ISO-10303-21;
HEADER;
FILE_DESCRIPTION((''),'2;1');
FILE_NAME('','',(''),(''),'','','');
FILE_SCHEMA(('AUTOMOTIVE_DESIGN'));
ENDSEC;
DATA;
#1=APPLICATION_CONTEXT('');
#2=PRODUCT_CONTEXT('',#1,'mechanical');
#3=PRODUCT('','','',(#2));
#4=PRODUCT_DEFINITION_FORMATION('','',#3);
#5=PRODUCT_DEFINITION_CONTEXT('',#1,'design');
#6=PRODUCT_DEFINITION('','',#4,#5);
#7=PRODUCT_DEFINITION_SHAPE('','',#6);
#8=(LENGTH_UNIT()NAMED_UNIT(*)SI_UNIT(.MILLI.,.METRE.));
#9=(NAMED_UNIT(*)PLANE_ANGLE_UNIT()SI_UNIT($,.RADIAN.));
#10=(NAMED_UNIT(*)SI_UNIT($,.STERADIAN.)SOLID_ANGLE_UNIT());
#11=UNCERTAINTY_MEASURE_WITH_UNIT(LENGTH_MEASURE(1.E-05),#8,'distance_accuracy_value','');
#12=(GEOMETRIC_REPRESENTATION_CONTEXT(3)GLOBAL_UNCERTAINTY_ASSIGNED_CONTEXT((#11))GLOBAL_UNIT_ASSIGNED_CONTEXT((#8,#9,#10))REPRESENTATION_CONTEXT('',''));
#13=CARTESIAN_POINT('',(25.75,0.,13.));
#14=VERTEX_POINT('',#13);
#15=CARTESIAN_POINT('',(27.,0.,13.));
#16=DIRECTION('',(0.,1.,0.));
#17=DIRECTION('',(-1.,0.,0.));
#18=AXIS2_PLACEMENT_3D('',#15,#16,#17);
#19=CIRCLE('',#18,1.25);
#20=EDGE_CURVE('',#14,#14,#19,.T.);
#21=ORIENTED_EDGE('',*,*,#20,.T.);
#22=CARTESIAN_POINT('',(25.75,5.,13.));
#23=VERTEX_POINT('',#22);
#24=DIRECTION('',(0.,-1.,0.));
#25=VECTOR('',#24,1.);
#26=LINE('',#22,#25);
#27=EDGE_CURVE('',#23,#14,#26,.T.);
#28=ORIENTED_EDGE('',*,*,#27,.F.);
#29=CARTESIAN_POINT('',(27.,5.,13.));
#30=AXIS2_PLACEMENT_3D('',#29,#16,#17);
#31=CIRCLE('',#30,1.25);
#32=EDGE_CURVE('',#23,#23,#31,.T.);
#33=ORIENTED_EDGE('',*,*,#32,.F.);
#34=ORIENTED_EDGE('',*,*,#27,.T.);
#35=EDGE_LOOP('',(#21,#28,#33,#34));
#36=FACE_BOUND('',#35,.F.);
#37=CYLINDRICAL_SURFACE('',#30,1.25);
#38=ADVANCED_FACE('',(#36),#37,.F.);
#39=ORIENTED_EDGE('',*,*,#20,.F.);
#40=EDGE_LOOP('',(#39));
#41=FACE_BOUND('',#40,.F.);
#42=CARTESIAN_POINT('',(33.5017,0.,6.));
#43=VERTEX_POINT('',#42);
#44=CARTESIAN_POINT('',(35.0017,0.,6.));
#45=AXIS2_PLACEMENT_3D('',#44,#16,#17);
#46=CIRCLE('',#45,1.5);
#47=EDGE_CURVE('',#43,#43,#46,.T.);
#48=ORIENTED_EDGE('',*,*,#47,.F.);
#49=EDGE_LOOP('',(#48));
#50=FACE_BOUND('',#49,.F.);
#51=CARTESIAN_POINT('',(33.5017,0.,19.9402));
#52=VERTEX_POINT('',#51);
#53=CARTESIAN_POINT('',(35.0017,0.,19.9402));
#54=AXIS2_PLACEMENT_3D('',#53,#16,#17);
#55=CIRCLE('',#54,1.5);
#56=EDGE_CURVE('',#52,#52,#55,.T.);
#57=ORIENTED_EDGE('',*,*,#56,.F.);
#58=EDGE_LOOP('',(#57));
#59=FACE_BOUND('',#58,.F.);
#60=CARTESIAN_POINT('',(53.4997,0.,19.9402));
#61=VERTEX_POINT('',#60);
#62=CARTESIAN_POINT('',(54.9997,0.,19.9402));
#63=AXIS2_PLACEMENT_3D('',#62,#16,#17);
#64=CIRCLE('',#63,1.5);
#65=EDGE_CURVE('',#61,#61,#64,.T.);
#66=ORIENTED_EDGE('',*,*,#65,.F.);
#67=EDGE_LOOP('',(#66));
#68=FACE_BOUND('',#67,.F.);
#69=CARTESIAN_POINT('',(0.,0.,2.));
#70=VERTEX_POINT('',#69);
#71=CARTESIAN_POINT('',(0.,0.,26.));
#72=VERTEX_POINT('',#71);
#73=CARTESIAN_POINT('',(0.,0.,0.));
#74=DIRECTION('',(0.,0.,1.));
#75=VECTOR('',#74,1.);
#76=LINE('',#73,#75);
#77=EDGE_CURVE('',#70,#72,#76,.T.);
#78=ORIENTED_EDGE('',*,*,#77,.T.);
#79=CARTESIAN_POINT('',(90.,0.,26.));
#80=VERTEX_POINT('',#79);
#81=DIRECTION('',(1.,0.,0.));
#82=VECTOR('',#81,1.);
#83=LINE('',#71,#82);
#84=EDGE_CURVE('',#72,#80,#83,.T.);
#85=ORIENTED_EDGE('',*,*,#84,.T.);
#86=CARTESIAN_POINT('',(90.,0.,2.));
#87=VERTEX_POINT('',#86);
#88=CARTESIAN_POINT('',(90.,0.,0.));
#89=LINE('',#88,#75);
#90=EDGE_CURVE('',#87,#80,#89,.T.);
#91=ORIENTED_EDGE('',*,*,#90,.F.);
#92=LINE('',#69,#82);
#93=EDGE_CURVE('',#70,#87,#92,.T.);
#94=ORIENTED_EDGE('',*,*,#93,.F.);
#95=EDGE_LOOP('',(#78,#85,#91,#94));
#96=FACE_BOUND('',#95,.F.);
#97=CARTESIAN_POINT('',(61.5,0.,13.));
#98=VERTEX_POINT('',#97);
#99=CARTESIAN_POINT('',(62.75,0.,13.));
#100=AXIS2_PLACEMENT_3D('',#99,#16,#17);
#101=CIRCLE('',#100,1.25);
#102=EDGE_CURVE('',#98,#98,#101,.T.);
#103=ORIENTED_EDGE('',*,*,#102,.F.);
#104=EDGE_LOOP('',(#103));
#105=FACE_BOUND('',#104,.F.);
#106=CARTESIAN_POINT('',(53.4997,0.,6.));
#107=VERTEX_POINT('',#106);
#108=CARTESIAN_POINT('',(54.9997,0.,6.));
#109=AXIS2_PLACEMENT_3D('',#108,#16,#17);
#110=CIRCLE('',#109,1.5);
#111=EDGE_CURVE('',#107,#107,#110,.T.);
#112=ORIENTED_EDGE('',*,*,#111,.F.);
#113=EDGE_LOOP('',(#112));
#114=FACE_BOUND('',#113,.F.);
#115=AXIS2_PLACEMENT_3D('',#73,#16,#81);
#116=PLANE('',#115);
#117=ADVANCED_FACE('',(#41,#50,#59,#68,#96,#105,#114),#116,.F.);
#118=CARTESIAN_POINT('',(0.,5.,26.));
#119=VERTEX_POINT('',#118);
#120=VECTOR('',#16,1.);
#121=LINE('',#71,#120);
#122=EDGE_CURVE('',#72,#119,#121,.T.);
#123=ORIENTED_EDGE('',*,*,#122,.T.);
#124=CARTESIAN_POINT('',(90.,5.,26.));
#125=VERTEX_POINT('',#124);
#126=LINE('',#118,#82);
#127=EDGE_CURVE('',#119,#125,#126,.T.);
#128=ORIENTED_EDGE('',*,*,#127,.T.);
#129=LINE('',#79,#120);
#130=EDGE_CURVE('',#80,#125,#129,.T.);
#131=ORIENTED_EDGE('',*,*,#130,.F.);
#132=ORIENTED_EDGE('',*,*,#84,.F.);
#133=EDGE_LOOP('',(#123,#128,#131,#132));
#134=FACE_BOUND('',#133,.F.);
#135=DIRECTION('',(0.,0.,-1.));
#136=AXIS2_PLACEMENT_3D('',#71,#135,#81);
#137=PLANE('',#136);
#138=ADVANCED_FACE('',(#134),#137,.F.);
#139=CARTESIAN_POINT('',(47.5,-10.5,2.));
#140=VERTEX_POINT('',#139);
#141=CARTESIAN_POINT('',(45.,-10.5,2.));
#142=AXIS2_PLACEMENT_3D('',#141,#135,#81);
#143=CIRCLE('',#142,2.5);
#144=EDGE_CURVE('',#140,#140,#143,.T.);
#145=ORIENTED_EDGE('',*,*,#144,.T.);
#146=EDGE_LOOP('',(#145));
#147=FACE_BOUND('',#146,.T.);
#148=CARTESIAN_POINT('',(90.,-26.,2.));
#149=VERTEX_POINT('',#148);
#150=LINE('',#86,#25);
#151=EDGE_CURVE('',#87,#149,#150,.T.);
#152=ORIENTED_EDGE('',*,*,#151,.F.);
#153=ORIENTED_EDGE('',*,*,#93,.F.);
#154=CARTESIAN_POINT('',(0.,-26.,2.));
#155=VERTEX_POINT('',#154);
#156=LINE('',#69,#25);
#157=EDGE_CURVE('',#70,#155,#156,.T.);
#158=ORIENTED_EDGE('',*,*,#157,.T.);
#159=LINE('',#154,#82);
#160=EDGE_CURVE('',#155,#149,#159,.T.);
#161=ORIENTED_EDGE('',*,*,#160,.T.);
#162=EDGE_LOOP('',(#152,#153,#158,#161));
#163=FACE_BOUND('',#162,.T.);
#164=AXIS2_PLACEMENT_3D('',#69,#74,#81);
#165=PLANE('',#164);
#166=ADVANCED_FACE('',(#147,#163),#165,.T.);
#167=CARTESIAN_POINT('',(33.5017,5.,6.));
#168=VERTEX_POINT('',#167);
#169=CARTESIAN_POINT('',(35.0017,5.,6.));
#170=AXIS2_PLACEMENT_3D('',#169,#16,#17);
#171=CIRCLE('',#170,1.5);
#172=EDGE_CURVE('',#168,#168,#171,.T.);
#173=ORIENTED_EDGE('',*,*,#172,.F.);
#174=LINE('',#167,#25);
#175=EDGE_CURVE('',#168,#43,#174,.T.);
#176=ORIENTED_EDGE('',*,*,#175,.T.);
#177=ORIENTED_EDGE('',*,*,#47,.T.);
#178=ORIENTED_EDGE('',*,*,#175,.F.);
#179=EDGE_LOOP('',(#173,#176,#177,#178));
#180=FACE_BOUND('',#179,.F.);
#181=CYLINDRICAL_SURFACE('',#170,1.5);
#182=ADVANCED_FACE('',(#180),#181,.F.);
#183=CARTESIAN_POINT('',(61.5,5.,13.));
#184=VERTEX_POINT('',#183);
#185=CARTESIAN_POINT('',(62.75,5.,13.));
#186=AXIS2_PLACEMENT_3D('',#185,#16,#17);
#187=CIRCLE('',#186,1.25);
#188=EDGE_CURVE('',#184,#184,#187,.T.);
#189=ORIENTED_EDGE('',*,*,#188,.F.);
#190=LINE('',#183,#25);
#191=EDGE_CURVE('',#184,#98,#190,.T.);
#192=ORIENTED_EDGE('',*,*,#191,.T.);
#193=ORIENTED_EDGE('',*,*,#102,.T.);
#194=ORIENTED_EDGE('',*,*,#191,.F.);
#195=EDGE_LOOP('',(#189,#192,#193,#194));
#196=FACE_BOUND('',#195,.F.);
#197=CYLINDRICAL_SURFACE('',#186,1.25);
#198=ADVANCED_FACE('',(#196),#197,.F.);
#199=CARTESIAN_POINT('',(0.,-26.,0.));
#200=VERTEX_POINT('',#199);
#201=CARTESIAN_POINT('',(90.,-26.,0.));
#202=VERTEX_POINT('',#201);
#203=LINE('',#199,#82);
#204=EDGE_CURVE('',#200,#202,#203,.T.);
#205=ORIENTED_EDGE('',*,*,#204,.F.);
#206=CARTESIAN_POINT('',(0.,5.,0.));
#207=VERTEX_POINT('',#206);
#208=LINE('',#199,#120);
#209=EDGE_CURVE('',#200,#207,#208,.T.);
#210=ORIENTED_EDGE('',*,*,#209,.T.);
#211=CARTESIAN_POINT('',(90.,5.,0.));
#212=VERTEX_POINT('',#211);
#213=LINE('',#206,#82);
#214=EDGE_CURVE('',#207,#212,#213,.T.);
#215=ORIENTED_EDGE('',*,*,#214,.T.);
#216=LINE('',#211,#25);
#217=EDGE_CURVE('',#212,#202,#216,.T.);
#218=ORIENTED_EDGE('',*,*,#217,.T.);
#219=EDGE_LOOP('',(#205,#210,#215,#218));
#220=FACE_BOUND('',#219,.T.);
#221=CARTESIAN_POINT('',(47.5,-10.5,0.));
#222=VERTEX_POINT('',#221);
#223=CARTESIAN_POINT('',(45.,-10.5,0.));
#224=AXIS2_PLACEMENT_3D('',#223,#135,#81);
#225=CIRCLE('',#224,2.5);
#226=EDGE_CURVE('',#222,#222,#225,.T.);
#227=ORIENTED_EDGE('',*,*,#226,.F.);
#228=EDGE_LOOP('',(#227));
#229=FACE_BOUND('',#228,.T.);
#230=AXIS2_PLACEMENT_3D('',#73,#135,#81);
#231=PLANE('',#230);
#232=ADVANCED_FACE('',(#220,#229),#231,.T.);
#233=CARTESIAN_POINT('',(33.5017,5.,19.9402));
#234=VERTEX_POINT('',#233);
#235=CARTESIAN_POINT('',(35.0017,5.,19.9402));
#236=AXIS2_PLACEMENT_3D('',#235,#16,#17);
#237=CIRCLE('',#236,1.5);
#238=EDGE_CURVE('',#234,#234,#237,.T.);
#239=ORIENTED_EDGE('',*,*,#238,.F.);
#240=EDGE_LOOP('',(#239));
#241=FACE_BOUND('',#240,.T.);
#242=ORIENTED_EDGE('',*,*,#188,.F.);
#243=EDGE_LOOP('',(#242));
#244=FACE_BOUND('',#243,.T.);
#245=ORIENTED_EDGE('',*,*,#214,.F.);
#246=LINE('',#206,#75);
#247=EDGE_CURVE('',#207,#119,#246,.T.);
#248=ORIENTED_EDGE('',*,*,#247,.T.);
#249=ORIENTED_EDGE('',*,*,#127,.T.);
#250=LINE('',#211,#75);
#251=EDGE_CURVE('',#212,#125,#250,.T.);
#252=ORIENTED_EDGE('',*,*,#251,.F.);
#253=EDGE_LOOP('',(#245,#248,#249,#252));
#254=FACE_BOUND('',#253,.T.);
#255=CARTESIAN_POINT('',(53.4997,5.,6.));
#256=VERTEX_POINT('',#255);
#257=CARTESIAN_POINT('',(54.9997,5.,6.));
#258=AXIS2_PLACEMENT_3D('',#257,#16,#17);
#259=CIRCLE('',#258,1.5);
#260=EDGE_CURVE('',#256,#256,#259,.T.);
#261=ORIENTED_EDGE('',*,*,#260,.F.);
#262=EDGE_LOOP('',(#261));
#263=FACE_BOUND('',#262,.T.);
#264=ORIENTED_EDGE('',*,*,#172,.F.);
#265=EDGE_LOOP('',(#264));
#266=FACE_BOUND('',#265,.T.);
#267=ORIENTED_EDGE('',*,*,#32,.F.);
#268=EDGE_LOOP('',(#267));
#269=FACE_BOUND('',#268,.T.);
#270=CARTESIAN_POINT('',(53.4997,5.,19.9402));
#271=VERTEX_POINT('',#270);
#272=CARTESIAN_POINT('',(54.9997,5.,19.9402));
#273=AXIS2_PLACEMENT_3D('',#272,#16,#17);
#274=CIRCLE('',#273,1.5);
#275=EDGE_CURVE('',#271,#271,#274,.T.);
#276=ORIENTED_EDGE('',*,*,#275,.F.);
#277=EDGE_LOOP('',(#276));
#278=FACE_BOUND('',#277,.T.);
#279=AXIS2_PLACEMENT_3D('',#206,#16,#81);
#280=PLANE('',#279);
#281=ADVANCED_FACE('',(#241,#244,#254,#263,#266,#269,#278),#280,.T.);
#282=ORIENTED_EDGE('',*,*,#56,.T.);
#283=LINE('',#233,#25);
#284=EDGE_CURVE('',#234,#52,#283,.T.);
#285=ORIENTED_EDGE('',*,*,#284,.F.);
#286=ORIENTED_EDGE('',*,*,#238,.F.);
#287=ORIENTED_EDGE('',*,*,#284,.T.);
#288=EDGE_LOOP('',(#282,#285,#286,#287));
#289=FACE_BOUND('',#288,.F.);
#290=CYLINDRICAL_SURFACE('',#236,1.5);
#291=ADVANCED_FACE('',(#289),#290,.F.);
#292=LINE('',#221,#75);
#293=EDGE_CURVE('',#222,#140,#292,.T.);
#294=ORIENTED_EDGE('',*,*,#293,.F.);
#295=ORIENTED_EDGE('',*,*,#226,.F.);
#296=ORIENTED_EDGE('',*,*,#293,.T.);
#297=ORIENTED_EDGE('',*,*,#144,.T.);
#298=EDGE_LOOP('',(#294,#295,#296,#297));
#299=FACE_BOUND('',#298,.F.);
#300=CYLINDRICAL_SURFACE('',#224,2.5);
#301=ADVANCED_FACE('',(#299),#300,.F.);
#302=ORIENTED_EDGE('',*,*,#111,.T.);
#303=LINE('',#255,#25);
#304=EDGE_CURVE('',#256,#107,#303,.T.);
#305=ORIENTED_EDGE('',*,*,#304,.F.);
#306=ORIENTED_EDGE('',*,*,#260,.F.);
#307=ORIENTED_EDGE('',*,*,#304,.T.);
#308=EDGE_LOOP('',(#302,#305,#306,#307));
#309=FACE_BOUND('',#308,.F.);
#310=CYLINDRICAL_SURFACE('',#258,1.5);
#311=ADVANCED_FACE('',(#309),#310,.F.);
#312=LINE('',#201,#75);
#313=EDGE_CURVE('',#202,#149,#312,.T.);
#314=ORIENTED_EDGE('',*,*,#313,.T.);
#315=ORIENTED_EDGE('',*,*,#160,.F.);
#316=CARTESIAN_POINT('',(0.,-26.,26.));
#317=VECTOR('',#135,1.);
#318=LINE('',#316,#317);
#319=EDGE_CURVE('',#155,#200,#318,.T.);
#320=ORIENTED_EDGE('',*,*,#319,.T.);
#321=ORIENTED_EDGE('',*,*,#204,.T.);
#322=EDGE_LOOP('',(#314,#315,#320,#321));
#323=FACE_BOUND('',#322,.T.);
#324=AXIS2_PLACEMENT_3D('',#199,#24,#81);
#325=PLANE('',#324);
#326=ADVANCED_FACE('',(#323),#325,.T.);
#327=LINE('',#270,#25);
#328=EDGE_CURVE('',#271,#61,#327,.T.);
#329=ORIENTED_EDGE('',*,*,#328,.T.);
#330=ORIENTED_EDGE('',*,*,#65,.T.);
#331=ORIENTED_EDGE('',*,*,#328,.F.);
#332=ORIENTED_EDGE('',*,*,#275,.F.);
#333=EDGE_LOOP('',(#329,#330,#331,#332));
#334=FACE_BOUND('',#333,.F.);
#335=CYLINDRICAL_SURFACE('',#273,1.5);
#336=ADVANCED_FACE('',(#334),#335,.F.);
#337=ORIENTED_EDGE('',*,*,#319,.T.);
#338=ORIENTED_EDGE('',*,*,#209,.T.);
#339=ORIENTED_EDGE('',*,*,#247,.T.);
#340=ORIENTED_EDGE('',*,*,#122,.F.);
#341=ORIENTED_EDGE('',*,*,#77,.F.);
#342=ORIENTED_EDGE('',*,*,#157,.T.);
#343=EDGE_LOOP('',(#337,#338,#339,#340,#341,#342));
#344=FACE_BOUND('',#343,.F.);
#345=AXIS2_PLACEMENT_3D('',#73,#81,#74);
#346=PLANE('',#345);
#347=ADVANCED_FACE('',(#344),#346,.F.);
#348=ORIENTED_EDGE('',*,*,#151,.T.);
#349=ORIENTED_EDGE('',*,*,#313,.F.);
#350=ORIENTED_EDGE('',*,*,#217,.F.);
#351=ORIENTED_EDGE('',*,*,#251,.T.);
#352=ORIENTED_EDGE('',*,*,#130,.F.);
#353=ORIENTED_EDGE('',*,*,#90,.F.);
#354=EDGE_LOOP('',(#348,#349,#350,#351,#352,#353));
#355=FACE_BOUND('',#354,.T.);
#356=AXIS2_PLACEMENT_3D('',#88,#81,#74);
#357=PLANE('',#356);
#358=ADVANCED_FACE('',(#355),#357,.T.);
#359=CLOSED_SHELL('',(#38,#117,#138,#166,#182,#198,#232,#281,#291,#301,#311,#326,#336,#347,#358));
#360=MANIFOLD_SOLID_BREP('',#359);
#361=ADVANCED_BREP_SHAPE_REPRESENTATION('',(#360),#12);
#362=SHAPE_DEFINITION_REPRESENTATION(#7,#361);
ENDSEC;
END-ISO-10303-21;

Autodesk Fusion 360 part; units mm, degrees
sketch "Sketch1" plane through (0, 0, 0) normal (0, 1, 0) x (1, 0, 0)
  line L0 (0, 0) -> (90, 0)
  line L1 (90, 0) -> (90, -26)
  line L2 (0, 0) -> (0, -26)
  line L3 (0, -26) -> (90, -26)
  dimension "d1" = 90
  dimension "d2" = 26
  dimension "d3" = 26
extrude "Extrude1" add sketch "Sketch1" along normal blind 5
sketch "Sketch2" plane through (0, 0, 0) normal (0, -1, 0) x (1, 0, 0)
  line L0 (0, 26) -> (0, 0)
  line L1 (0, 0) -> (90, 0)
  line L2 (90, 0) -> (90, 26)
  line L3 (90, 26) -> (0, 26)
  line L4 (0, 0) -> (90, 0)
  line L5 (90, 0) -> (90, 2)
  line L6 (0, 0) -> (0, 2)
  line L7 (0, 2) -> (90, 2)
  dimension "d6" = 2
  dimension "d7" = 2
extrude "Extrude2" add sketch "Sketch2" along normal blind 26 contours L0 L1 L2 L4 L5 L6 L7
sketch "Sketch3" plane through (0, 0, 0) normal (0, 0, -1) x (1, 0, 0)
  line L0 (0, 26) -> (0, -5)
  line L1 (0, -5) -> (90, -5)
  line L2 (90, -5) -> (90, 26)
  line L3 (90, 26) -> (0, 26)
  line L4 (90, 10.5) -> (0, 10.5) construction
  line L5 (45, 26) -> (45, -5) construction
  circle A0 centre (45, 10.5) radius 2.5
  dimension "d10" = 5
extrude "Extrude3" cut sketch "Sketch3" against normal blind 3 contours A0
sketch "Sketch4" plane through (0, 5, 0) normal (0, 1, 0) x (-1, 0, 0)
  line L0 (0, 0) -> (0, 26)
  line L1 (0, 26) -> (-90, 26)
  line L2 (-90, 26) -> (-90, 0)
  line L3 (-90, 0) -> (0, 0)
  line L4 (-90, 13) -> (0, 13) construction
  line L5 (-45, 26) -> (-45, 0) construction
  line L6 (-90, 7.6084) -> (-73, 7.6084) construction
  line L7 (-73, 7.6084) -> (-71.75, 7.6084) construction
  line L8 (-70.5, 7.6084) -> (-28.5, 7.6084) construction
  line L9 (-28.5, 7.6084) -> (-27.25, 7.6084) construction
  line L10 (-27.25, 7.6084) -> (-27.25, 13) construction
  line L11 (-71.75, 7.6084) -> (-71.75, 13) construction
  circle A0 centre (-27.25, 13) radius 1.25
  circle A1 centre (-71.75, 13) radius 1.25
  dimension "d13" = 17
  dimension "d15" = 1.25
  dimension "d17" = 42
  dimension "d18" = 1.25
  dimension "d20" = 2.5
  dimension "d21" = 2.5
sketch "Sketch5" plane through (0, 5, 0) normal (0, 1, 0) x (-1, 0, 0)
  line L0 (0, 0) -> (0, 26)
  line L1 (0, 26) -> (-90, 26)
  line L2 (-90, 26) -> (-90, 0)
  line L3 (-90, 0) -> (0, 0)
  line L4 (-90, 13) -> (0, 13) construction
  line L5 (-45, 0) -> (-45, 26) construction
  line L6 (-90, 19.9402) -> (0, 19.9402) construction
  line L7 (-35.0017, 26) -> (-35.0017, 0) construction
  line L8 (-54.9997, 26) -> (-54.9997, 0) construction
  circle A0 centre (-54.9997, 19.9402) radius 1.5
  circle A1 centre (-35.0017, 19.9402) radius 1.5
  line L9 (0, 6) -> (-90, 6) construction
  circle A2 centre (-35.0017, 6) radius 1.5
  circle A3 centre (-54.9997, 6) radius 1.5
  line L10 (-90, 13) -> (-62.75, 13) construction
  circle A4 centre (-62.75, 13) radius 1.25
  dimension "d24" = 3
  dimension "d25" = 3
  dimension "d27" = 3
  dimension "d28" = 3
  dimension "d29" = 27.25
  dimension "d30" = 2.5
extrude "Extrude5" cut sketch "Sketch5" against normal blind 5 contours A0 | A1 | A2 | A3 | A4
sketch "Sketch6" plane through (0, 5, 0) normal (0, 1, 0) x (-1, 0, 0)
  circle A0 centre (-54.9997, 19.9402) radius 1.5
  circle A1 centre (-54.9997, 6) radius 1.5
  circle A2 centre (-35.0017, 19.9402) radius 1.5
  circle A3 centre (-62.75, 13) radius 1.25
  circle A4 centre (-35.0017, 6) radius 1.5
  line L0 (0, 0) -> (0, 26)
  line L1 (0, 26) -> (-90, 26)
  line L2 (-90, 26) -> (-90, 0)
  line L3 (-90, 0) -> (0, 0)
  line L4 (0, 13) -> (-90, 13) construction
  line L5 (0, 9) -> (-27, 9) construction
  line L6 (-27, 9) -> (-27, 13) construction
  circle A5 centre (-27, 13) radius 1.25
  dimension "d33" = 27
  dimension "d34" = 2.5
extrude "Extrude6" cut sketch "Sketch6" against normal blind 5 contours A5
